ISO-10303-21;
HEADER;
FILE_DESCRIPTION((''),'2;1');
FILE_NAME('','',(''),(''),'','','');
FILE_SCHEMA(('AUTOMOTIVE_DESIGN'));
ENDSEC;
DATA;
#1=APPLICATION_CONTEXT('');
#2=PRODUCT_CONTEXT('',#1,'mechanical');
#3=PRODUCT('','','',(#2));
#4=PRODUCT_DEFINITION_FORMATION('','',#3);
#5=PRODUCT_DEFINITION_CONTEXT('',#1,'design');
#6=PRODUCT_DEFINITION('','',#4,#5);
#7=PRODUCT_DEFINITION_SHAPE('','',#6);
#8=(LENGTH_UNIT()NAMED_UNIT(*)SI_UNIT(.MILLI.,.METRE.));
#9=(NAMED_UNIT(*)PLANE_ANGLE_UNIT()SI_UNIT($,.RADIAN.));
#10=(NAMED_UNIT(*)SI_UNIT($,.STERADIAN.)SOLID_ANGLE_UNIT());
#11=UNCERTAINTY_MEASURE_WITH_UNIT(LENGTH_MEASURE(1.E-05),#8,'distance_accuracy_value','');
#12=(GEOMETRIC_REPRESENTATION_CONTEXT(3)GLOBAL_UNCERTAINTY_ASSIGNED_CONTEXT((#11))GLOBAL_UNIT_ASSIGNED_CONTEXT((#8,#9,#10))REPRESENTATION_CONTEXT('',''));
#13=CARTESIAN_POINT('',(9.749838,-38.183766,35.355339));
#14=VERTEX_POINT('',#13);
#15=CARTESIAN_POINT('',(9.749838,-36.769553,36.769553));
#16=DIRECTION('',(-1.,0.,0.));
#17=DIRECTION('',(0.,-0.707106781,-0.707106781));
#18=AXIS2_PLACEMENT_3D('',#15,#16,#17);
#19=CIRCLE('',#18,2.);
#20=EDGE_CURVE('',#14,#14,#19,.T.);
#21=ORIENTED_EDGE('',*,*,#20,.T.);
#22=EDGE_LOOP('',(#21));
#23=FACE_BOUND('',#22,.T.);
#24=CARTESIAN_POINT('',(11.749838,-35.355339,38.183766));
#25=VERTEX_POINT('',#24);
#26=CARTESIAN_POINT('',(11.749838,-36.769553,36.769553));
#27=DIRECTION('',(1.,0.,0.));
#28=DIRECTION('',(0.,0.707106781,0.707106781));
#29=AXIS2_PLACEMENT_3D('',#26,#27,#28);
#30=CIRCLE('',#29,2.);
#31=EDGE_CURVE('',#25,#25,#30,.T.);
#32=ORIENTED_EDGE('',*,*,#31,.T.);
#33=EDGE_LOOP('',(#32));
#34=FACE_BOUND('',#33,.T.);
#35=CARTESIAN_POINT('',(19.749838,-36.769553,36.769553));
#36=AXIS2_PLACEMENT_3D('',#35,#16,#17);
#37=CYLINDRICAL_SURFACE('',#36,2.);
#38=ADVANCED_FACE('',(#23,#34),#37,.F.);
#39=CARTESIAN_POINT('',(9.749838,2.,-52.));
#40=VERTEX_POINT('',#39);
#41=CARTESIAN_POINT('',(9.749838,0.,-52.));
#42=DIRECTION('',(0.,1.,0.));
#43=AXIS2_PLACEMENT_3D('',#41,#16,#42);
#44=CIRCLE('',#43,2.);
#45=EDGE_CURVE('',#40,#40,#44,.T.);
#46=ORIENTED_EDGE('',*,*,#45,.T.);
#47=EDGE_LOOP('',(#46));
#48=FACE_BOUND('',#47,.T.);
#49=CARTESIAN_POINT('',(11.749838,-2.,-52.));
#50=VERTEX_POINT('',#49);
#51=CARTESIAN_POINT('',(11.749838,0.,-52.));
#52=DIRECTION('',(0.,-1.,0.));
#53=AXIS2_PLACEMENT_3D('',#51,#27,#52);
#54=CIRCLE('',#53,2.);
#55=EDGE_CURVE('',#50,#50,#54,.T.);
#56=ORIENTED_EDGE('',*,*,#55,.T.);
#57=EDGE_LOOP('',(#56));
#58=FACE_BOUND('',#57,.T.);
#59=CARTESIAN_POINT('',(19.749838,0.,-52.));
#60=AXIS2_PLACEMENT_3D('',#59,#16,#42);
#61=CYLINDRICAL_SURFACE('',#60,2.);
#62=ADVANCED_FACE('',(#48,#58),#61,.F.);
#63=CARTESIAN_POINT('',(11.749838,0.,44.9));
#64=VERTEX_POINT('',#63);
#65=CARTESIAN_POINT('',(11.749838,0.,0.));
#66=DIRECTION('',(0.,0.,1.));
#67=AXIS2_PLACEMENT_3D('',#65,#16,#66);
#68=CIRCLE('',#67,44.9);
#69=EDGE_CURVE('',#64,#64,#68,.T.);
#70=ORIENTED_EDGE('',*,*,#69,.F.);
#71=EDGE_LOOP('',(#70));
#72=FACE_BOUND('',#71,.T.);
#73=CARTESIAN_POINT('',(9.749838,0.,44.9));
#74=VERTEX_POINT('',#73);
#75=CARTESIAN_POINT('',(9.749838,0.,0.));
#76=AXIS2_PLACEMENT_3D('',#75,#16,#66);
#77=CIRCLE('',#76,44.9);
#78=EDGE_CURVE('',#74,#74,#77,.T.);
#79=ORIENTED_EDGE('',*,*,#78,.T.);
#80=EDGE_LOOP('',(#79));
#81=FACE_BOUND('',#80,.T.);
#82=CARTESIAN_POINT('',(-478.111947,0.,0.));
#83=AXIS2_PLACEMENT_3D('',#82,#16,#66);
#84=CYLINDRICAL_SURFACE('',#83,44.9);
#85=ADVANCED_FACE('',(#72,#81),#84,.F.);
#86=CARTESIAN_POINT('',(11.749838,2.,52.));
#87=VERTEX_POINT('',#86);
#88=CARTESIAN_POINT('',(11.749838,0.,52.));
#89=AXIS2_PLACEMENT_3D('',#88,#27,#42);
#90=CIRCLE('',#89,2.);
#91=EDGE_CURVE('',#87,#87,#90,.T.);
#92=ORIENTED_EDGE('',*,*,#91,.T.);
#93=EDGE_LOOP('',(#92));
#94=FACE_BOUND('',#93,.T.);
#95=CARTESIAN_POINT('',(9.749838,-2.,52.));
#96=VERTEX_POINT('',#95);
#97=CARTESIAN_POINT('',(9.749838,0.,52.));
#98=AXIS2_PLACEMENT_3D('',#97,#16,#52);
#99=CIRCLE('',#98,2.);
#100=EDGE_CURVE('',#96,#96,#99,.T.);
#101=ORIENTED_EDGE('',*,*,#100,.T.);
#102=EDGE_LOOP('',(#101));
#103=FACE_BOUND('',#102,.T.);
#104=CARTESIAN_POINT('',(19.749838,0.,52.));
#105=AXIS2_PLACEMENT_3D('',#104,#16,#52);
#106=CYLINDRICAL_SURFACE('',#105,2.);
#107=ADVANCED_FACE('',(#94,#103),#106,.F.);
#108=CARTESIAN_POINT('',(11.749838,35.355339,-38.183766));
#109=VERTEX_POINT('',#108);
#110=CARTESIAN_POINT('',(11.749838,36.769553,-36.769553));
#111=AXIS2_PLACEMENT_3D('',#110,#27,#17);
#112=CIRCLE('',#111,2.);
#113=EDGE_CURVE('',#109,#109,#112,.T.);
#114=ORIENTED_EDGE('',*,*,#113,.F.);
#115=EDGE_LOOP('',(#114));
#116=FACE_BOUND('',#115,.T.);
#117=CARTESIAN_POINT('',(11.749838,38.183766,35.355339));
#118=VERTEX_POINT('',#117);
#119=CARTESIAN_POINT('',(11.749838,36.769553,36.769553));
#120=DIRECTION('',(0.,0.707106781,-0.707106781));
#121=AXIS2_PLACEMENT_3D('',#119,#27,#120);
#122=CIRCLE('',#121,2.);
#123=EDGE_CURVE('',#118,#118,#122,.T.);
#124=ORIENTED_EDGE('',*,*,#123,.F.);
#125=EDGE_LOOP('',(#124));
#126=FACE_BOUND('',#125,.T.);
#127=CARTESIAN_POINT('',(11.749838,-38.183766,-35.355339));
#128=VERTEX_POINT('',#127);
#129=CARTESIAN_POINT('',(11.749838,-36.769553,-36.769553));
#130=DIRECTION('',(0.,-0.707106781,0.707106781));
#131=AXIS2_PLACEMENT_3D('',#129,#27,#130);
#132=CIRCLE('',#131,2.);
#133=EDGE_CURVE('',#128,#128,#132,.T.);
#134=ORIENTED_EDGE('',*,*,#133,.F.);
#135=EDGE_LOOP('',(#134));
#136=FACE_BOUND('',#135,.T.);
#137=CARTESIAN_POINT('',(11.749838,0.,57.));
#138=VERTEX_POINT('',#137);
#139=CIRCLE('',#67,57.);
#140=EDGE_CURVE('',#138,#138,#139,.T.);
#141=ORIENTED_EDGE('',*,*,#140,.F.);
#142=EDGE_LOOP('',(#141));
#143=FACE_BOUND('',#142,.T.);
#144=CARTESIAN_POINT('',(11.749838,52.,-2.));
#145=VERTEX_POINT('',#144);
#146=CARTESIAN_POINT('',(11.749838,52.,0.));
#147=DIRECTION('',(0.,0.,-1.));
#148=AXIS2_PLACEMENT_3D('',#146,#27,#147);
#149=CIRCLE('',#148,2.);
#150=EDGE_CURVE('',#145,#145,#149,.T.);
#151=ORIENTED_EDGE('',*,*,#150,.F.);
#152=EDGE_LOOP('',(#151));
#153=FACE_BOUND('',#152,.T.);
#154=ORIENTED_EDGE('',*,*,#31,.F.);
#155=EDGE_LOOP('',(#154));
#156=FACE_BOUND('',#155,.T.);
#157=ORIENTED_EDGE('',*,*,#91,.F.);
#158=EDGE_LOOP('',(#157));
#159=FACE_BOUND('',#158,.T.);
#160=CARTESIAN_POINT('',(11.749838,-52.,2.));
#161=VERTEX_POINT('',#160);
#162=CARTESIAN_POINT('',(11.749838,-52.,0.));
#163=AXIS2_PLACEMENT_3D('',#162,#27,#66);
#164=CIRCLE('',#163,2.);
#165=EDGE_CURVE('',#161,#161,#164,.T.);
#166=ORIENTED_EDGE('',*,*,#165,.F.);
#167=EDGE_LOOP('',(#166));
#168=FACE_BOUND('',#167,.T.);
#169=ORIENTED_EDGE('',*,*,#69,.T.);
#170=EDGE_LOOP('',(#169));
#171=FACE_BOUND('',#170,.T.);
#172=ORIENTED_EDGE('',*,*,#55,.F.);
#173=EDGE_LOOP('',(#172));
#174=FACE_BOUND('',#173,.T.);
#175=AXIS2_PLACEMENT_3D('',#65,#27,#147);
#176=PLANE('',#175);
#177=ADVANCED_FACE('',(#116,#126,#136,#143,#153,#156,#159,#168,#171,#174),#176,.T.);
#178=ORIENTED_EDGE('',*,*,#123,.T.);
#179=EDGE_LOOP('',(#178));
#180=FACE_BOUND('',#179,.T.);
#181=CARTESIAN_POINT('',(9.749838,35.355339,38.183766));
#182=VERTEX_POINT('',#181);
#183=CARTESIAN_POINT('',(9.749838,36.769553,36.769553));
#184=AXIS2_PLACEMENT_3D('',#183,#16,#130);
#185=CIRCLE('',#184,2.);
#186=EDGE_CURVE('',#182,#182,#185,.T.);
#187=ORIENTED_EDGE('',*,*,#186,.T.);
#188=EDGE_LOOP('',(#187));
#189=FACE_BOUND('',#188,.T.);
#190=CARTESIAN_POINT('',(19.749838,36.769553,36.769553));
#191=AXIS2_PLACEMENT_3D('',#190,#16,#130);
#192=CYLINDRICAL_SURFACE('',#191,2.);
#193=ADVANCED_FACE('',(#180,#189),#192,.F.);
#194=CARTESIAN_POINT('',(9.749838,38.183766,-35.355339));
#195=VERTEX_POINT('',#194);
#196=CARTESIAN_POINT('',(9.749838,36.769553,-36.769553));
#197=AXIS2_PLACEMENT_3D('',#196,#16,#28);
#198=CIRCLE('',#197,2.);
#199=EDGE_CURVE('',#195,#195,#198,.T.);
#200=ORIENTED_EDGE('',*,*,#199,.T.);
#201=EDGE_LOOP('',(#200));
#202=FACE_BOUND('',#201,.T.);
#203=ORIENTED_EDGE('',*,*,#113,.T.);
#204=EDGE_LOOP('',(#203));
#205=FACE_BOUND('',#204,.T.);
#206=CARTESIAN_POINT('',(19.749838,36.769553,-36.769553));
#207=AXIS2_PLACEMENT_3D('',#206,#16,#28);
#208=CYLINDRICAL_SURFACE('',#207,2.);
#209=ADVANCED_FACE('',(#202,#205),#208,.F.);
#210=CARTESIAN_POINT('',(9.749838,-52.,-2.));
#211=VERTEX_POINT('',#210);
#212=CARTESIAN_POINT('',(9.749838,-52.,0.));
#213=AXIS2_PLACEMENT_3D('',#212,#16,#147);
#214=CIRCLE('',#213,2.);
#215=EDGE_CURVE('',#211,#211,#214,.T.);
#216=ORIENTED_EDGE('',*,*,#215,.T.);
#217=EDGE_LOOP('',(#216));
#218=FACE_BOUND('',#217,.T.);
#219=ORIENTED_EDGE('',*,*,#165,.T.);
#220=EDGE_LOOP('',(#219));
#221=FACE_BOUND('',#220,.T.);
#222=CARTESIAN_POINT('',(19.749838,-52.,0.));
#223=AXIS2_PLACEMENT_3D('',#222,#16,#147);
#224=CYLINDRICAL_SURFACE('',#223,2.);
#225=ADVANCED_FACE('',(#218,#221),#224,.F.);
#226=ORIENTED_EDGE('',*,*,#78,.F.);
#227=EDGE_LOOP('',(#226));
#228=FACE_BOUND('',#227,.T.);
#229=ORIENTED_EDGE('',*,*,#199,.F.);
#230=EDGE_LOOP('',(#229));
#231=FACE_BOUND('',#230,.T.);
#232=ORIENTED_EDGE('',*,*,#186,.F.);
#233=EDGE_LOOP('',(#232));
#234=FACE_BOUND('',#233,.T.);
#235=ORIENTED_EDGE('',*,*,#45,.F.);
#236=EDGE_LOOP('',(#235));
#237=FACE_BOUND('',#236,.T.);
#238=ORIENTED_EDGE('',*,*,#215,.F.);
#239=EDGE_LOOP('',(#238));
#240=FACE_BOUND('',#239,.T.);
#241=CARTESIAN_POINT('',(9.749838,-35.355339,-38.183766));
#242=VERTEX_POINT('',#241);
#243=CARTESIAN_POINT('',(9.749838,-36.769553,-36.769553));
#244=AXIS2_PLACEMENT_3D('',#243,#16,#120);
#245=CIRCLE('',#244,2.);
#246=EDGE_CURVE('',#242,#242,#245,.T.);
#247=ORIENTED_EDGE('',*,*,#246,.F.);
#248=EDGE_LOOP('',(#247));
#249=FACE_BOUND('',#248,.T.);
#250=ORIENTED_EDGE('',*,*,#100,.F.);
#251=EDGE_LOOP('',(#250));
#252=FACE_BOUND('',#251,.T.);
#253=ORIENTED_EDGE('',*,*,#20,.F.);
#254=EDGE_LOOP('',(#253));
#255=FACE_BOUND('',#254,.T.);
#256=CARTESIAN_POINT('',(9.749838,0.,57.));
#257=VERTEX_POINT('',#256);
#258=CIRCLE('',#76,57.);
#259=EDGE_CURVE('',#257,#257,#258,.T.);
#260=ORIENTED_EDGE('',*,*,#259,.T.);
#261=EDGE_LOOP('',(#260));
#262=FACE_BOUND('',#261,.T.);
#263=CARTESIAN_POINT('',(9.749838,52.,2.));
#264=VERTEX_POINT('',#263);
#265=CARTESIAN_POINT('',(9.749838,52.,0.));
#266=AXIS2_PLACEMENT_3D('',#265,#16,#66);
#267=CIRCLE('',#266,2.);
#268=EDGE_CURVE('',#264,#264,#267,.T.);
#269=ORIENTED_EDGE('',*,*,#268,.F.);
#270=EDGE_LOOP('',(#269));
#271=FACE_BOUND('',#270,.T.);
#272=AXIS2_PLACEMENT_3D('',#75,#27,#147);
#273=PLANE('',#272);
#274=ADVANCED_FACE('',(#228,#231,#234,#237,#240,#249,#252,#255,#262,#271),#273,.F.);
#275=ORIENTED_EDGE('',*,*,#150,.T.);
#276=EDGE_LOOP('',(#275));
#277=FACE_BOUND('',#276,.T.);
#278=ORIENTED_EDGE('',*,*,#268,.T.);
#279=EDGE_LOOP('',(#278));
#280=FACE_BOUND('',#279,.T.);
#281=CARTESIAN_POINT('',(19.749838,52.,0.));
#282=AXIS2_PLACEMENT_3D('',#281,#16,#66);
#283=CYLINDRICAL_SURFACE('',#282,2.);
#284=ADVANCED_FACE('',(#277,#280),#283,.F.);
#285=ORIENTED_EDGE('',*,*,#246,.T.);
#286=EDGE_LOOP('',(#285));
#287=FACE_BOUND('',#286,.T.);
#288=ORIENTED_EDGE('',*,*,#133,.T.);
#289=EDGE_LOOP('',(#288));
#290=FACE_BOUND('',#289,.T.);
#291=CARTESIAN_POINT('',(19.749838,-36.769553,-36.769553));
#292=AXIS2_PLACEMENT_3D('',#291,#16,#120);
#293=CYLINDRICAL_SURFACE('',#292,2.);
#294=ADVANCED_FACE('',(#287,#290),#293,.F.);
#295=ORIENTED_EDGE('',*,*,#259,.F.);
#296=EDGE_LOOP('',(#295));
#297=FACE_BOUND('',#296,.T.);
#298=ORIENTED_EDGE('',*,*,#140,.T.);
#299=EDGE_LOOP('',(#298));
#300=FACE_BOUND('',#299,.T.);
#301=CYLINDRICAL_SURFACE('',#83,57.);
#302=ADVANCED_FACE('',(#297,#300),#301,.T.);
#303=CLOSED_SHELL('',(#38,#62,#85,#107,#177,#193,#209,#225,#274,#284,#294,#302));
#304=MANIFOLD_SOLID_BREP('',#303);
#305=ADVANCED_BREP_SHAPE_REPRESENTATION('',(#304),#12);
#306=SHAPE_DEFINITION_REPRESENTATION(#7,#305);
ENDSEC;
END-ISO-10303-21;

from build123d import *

# Parameters (mm, degrees)
SKETCH2_W          = 2
SKETCH2_H          = 12.1
SKETCH3_R          = 2
CUT_EXTRUDE1_DEPTH = 10
CIRPATTERN1_COUNT  = 8


with BuildPart() as part:
    # Sketch2 → Revolve1 (revolve)
    with BuildSketch(Plane.XY, mode=Mode.PRIVATE) as revolve1_sk:
        with Locations((10.74983843, 50.95)):
            Rectangle(SKETCH2_W, SKETCH2_H)
    revolve(revolve1_sk.sketch.rotate(Axis((-478.111946857, 0, 0), (1, 0, 0)), 90), axis=Axis((-478.111946857, 0, 0), (1, 0, 0)))

    # Sketch3 → Cut-Extrude1 (cut)
    with BuildSketch(Plane.ZY.offset(-9.74983843)):
        with Locations((0, 52)):
            Circle(SKETCH3_R)
    cut_extrude1 = extrude(amount=-CUT_EXTRUDE1_DEPTH, mode=Mode.SUBTRACT)

    # CirPattern1: Cut-Extrude1 ×8 about axis
    cirpattern1_axis = Axis((0, 0, 0), (1, 0, 0))
    for i in range(1, CIRPATTERN1_COUNT):
        add(cut_extrude1.rotate(cirpattern1_axis, i * 360 / CIRPATTERN1_COUNT), mode=Mode.SUBTRACT)


solid = part.part
